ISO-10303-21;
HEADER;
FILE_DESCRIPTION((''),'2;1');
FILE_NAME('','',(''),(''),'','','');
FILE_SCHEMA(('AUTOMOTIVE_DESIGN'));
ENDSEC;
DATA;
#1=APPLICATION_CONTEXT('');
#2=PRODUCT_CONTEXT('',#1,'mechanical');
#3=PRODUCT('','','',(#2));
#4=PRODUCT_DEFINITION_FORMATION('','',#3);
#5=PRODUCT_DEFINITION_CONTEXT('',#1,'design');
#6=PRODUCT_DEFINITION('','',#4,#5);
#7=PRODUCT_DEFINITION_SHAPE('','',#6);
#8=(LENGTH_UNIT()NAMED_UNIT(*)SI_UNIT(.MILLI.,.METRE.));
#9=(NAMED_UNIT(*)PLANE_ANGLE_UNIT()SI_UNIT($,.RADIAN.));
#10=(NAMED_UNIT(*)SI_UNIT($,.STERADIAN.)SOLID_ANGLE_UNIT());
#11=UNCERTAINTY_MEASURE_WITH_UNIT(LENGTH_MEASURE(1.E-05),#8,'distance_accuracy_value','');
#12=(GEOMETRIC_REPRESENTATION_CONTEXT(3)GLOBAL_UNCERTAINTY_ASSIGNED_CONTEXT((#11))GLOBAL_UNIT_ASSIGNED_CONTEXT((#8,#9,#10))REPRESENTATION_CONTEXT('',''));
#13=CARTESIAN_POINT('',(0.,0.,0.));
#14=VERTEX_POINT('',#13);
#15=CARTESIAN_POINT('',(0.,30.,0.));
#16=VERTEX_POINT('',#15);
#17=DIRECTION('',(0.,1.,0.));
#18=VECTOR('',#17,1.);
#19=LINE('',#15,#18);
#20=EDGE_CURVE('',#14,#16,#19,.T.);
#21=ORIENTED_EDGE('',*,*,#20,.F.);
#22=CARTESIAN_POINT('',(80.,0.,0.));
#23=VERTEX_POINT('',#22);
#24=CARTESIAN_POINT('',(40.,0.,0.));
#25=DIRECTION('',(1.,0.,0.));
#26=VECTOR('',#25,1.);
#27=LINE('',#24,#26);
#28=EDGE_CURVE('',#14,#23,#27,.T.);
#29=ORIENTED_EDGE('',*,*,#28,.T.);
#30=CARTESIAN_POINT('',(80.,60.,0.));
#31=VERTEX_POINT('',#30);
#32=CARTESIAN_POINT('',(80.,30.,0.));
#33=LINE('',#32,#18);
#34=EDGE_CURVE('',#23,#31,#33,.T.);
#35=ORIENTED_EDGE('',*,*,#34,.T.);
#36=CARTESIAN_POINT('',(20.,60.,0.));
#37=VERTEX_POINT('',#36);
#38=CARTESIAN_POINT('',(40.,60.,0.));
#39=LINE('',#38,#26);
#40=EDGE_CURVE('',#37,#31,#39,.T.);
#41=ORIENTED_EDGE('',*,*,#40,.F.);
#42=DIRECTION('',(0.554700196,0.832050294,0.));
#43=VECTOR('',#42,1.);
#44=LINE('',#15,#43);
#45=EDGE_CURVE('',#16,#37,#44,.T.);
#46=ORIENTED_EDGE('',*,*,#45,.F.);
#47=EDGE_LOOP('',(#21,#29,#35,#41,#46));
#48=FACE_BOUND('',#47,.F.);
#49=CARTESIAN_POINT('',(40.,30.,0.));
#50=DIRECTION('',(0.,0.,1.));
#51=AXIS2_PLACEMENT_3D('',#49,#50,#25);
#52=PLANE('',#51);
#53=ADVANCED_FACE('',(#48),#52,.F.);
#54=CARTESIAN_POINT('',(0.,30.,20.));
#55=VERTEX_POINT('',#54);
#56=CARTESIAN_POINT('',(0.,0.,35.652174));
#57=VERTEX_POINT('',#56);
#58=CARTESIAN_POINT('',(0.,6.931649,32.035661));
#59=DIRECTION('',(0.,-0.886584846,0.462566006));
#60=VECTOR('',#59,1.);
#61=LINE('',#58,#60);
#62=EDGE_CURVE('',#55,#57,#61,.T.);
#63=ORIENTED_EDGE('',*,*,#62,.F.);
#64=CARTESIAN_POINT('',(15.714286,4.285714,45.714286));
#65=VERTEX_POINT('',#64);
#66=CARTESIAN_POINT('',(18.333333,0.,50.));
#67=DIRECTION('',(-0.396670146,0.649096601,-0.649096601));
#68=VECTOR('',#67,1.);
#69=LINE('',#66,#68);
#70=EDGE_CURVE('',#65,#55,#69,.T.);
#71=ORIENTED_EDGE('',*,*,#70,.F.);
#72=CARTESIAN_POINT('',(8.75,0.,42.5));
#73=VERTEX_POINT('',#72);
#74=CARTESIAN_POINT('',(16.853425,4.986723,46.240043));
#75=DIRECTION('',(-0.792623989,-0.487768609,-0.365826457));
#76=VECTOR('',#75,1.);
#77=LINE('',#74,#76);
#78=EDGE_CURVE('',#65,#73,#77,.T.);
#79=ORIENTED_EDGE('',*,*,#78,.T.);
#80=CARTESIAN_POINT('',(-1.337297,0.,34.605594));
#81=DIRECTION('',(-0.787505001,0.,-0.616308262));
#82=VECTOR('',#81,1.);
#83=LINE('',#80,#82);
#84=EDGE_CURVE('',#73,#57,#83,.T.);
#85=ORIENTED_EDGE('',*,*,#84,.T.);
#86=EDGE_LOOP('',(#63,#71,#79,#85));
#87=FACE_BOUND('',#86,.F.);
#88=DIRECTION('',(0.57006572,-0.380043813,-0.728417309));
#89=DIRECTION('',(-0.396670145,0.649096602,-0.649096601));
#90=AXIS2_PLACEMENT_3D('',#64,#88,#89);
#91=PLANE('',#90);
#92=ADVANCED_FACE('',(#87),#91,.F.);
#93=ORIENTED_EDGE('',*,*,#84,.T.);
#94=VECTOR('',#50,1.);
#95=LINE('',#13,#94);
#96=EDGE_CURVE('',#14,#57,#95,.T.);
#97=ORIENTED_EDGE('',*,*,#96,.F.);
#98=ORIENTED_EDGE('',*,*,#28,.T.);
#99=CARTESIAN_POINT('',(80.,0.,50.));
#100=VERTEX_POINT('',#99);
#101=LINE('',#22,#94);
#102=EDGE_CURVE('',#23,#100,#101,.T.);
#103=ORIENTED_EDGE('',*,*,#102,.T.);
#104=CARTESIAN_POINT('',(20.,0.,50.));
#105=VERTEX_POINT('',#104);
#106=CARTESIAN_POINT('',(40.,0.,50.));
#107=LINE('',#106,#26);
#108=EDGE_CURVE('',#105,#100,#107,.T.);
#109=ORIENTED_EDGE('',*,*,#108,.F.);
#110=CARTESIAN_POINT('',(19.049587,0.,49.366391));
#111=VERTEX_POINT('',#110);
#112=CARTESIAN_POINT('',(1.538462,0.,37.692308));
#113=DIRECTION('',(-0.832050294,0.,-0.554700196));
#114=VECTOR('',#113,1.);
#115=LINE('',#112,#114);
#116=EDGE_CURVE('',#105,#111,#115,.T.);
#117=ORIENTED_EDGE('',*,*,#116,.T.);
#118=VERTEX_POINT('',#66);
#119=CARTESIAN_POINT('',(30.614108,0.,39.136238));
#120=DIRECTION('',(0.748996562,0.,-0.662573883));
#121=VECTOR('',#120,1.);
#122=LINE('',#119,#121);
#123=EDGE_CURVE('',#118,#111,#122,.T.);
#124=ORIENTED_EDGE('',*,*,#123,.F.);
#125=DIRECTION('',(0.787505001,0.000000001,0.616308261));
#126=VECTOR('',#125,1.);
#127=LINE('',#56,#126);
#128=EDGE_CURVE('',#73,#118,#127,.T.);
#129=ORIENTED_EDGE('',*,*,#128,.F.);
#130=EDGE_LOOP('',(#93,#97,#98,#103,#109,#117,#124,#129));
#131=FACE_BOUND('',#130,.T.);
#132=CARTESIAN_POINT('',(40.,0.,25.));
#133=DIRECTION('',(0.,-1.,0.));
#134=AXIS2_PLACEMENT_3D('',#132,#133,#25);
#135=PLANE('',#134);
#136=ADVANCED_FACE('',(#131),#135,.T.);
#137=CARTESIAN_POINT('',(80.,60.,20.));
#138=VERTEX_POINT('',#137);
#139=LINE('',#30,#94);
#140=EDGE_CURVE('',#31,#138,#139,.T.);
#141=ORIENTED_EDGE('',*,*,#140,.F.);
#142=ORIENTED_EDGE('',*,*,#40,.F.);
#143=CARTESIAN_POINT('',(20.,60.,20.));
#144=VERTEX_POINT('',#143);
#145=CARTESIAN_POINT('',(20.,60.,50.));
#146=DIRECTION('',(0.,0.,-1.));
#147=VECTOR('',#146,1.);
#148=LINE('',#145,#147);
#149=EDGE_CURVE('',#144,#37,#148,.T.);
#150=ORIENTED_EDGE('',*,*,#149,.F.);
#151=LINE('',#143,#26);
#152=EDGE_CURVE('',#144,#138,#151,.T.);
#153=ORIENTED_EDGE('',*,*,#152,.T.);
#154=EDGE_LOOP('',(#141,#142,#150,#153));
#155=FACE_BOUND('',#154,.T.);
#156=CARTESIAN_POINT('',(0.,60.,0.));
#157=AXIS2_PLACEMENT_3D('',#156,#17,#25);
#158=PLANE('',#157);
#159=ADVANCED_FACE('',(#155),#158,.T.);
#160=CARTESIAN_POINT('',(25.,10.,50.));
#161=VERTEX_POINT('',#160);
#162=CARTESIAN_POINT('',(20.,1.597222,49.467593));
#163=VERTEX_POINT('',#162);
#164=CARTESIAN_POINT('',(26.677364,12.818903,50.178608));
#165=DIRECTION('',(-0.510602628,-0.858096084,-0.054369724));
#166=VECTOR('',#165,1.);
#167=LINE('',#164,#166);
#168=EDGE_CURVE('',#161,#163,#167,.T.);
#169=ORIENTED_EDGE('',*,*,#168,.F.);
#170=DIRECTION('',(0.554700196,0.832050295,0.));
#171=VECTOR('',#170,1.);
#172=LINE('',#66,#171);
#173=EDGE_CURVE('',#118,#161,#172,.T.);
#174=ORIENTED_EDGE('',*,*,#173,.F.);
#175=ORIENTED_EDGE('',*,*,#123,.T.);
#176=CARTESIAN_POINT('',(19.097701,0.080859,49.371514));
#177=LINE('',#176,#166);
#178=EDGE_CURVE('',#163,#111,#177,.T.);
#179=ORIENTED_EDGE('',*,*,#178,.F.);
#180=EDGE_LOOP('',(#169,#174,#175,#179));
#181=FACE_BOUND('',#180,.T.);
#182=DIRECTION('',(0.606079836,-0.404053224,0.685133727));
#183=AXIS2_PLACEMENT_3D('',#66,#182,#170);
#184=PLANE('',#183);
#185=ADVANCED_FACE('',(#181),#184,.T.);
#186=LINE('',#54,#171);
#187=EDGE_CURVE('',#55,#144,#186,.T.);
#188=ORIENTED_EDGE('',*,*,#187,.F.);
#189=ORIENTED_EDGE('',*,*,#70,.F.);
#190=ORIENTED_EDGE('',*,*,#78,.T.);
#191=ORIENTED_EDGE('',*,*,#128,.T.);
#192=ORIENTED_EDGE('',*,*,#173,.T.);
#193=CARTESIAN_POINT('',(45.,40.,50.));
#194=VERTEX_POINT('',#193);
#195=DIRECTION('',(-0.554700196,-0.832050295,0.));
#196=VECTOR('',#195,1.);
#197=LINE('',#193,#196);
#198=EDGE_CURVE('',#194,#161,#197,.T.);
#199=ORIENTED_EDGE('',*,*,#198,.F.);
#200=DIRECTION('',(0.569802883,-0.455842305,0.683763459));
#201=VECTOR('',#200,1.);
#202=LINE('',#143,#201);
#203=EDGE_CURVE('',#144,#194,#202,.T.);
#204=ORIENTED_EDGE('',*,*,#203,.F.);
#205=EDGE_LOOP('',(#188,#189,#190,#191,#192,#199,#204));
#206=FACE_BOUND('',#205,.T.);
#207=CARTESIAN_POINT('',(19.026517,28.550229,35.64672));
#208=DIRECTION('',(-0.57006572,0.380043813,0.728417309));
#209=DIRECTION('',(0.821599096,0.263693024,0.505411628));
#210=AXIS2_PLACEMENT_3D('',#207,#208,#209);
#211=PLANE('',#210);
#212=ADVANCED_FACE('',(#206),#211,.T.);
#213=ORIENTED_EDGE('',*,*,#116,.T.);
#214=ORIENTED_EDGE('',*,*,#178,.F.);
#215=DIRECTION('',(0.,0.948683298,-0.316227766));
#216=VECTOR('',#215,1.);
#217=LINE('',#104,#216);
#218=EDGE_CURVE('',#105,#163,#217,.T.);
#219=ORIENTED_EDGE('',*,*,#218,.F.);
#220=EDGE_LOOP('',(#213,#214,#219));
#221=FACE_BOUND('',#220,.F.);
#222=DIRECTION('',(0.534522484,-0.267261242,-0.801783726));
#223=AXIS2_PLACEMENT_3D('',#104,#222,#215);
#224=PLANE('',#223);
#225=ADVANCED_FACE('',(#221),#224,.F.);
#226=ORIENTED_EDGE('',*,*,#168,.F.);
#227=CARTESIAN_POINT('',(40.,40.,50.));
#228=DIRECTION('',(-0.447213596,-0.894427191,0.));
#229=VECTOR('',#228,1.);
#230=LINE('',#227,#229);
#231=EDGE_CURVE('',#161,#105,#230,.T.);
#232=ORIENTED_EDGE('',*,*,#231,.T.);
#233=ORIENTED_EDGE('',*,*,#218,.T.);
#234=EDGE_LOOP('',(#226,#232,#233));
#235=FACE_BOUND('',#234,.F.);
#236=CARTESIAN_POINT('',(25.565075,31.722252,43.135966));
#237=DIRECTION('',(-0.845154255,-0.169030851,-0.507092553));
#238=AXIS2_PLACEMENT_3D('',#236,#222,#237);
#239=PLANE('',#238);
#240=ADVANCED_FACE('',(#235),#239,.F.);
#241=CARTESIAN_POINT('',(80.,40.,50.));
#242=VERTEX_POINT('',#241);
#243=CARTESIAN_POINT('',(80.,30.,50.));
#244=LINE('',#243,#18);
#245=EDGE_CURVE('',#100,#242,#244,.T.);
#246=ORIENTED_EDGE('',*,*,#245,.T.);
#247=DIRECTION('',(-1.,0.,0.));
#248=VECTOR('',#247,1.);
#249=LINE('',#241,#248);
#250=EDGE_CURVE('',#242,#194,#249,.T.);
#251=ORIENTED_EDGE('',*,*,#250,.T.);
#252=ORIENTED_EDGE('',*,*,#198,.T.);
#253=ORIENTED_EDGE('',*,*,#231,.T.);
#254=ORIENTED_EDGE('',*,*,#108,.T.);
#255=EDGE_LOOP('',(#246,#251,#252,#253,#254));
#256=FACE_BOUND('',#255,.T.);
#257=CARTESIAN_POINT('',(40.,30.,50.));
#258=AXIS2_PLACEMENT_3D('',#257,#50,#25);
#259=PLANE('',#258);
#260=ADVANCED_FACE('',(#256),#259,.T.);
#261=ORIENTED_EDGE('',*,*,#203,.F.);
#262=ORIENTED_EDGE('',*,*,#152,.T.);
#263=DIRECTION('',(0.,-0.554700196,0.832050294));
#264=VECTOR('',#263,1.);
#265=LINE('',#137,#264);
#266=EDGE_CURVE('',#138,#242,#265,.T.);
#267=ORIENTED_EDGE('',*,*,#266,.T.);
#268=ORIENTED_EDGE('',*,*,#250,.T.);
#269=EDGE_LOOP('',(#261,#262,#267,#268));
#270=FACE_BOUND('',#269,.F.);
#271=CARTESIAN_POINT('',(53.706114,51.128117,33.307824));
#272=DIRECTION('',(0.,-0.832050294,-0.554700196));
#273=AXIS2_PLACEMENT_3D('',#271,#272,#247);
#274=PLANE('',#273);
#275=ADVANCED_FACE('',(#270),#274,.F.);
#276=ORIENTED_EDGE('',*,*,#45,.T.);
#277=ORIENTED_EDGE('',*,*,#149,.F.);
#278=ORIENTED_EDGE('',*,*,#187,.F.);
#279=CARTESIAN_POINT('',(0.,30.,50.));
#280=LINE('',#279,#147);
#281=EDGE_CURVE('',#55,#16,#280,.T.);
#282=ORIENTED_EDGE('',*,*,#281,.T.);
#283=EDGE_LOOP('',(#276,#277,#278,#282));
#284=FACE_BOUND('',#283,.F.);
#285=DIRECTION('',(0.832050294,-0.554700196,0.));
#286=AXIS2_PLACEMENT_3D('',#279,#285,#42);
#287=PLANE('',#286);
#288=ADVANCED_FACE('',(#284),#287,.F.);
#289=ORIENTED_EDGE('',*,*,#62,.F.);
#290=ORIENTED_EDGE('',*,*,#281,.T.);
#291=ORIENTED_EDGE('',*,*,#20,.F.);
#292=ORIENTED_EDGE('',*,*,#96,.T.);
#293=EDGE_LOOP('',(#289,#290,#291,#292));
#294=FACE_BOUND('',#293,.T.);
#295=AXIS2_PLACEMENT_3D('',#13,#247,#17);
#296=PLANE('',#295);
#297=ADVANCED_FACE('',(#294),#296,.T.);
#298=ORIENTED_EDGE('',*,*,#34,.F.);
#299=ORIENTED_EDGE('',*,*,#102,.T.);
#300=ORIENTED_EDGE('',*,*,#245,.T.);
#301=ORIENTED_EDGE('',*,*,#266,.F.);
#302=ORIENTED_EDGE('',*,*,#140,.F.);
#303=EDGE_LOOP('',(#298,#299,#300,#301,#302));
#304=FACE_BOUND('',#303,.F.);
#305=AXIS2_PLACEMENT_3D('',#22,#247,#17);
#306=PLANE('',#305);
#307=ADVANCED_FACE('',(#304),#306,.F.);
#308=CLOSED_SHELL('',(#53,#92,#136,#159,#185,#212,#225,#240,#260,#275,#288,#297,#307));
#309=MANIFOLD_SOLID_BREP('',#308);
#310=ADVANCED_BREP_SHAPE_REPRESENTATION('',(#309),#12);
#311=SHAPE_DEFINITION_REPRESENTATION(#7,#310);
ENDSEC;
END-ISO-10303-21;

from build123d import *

# Parameters (mm, degrees)
SKETCH1_W           = 80
SKETCH1_H           = 60
BOSS_EXTRUDE1_DEPTH = 50
CUT_EXTRUDE1_DEPTH  = 50
CUT_EXTRUDE2_DEPTH  = 124
CUT_EXTRUDE3_DEPTH  = 124
CUT_EXTRUDE4_DEPTH  = 124
CUT_EXTRUDE5_DEPTH  = 124
CUT_EXTRUDE6_DEPTH  = 124
CUT_EXTRUDE7_DEPTH  = 124
CUT_EXTRUDE8_DEPTH  = 124
CUT_EXTRUDE9_DEPTH  = 124
CUT_EXTRUDE10_DEPTH = 124
CUT_EXTRUDE11_DEPTH = 124
CUT_EXTRUDE12_DEPTH = 124
CUT_EXTRUDE14_DEPTH = 124
CUT_EXTRUDE15_DEPTH = 124
BOSS_EXTRUDE2_DEPTH = 5
SKETCH27_W          = 80
SKETCH27_H          = 50
CUT_EXTRUDE20_DEPTH = 37


with BuildPart() as part:
    # Sketch1 → Boss-Extrude1 (new body)
    with BuildSketch(Plane.XY):
        with Locations((40, 30)):
            Rectangle(SKETCH1_W, SKETCH1_H)
    extrude(amount=BOSS_EXTRUDE1_DEPTH)

    # Sketch2 → Cut-Extrude1 (cut)
    with BuildSketch(Plane.XY.offset(50)):
        Polygon((0, 30), (20, 60), (0, 60), align=None)
    extrude(amount=-CUT_EXTRUDE1_DEPTH, mode=Mode.SUBTRACT)

    # Sketch3 → Cut-Extrude2 (cut)
    with BuildSketch(Plane(origin=(80, 0, 0), x_dir=(0, 0, -1), z_dir=(1, 0, 0))):
        Polygon((-30, 60), (-50, 40), (-50, 60), align=None)
    extrude(amount=-CUT_EXTRUDE2_DEPTH, mode=Mode.SUBTRACT)

    # Sketch6 → Cut-Extrude3 (cut)
    with BuildSketch(Plane(origin=(-15.714285714, 7.857142857, 23.571428571), x_dir=(0.845154255, 0.169030851, 0.507092553), z_dir=(-0.534522484, 0.267261242, 0.801783726))):
        Polygon((42.257712736, 47.434164903), (65.922031869, 22.135943621), (42.257712736, -15.811388301), align=None)
    extrude(amount=CUT_EXTRUDE3_DEPTH, mode=Mode.SUBTRACT)

    # Sketch7 → Cut-Extrude4 (cut)
    with BuildSketch(Plane(origin=(35.714285714, 7.142857143, 21.428571429), x_dir=(0.497245158, 0.099449032, -0.861891607), z_dir=(0.845154255, 0.169030851, 0.507092553))):
        Polygon((-33.149677207, 36.869833406), (-33.149677207, -3.922322703), (-9.944903162, 54.912517839), align=None)
    extrude(amount=-CUT_EXTRUDE4_DEPTH, mode=Mode.SUBTRACT)

    # Sketch8 → Cut-Extrude5 (cut)
    with BuildSketch(Plane(origin=(-16.483516484, -3.296703297, 28.571428571), x_dir=(-0.867610081, 0.056996283, -0.493967783), z_dir=(0.497245158, 0.099449032, -0.861891607))):
        Polygon((-25.736988098, 43.821678207), (-32.829858833, 45.467562834), (-42.05059079, 5.731205399), (-18.998760899, 4.408619538), (-18.998760899, 34.607663372), align=None)
    extrude(amount=-CUT_EXTRUDE5_DEPTH, mode=Mode.SUBTRACT)

    # Sketch9 → Cut-Extrude6 (cut)
    with BuildSketch(Plane(origin=(-22.751322751, 35.264550265, 26.164021164), x_dir=(0.887896271, 0.369460193, 0.274115627), z_dir=(0.460043706, -0.713067745, -0.529050262))):
        Polygon((32.208127825, 14.089089478), (39.138944356, 16.321024445), (48.149005846, -11.657874603), align=None)
    extrude(amount=-CUT_EXTRUDE6_DEPTH, mode=Mode.SUBTRACT)

    # Sketch10 → Cut-Extrude7 (cut)
    with BuildSketch(Plane(origin=(-0.962962963, -2.407407407, 2.407407407), x_dir=(0.962250449, -0.19245009, 0.19245009), z_dir=(0.272165527, 0.680413817, -0.680413817))):
        Polygon((8.581009883, -63.639610307), (7.076241761, -60.15846923), (13.471506281, -63.639610307), align=None)
    extrude(amount=-CUT_EXTRUDE7_DEPTH, mode=Mode.SUBTRACT)

    # Sketch11 → Cut-Extrude8 (cut)
    with BuildSketch(Plane(origin=(-15.346074938, 7.943850556, 1.805420581), x_dir=(-0.092282328, 0.047769676, -0.994586361), z_dir=(0.883262889, -0.457218437, -0.103913281))):
        Polygon((-47.510608217, 39.711812283), (-44.744502297, 37.117331923), (-48.456907611, 37.426149), (-48.456907611, 38.702914935), align=None)
    extrude(amount=-CUT_EXTRUDE8_DEPTH, mode=Mode.SUBTRACT)

    # Sketch12 → Cut-Extrude9 (cut)
    with BuildSketch(Plane(origin=(-7.230769231, 36.153846154, 0), x_dir=(0.980580676, 0.196116135, 0), z_dir=(0.196116135, -0.980580676, 0))):
        Polygon((13.335897189, 50), (13.830048081, 50), (13.335897189, 46.307692308), align=None)
    extrude(amount=-CUT_EXTRUDE9_DEPTH, mode=Mode.SUBTRACT)

    # Sketch15 → Cut-Extrude10 (cut)
    with BuildSketch(Plane(origin=(0, 50.769230769, 33.846153846), x_dir=(-1, 0, 0), z_dir=(0, -0.832050294, -0.554700196))):
        Polygon((-20, 16.641005887), (-80, 16.641005887), (-80, -19.414506868), (-40, -19.414506868), align=None)
    extrude(amount=-CUT_EXTRUDE10_DEPTH, mode=Mode.SUBTRACT)

    # Sketch16 → Cut-Extrude11 (cut)
    with BuildSketch(Plane(origin=(22.352941176, 6.877828054, -10.316742081), x_dir=(-0.385755922, -0.11869413, -0.914933917), z_dir=(0.874474632, 0.269069118, -0.403603676))):
        Polygon((-44.065195676, 50.107704244), (-33.13544456, 51.465023547), (-65.924697908, 26.467726395), align=None)
    extrude(amount=-CUT_EXTRUDE11_DEPTH, mode=Mode.SUBTRACT)

    # Sketch17 → Cut-Extrude12 (cut)
    with BuildSketch(Plane(origin=(-13.474892396, 53.122171946, 6.219181106), x_dir=(0.969698736, 0.242646617, 0.028407409), z_dir=(0.24430383, -0.96312087, -0.112755614))):
        Polygon((39.280526622, 22.819756729), (34.520919906, 12.887590849), (33.567164418, 22.827971688), (35.583149731, 23.962584818), align=None)
    extrude(amount=-CUT_EXTRUDE12_DEPTH, mode=Mode.SUBTRACT)

    # Sketch22 → Cut-Extrude14 (cut)
    with BuildSketch(Plane(origin=(-14.80441324, 9.869608826, 18.916750251), x_dir=(0.821599096, 0.263693024, 0.505411628), z_dir=(-0.57006572, 0.380043813, 0.728417309))):
        Polygon((42.361795907, 43.943770636), (72.790261699, 12.335093512), (40.333231521, -23.128300335), (18.019023273, 17.346225251), align=None)
    extrude(amount=CUT_EXTRUDE14_DEPTH, mode=Mode.SUBTRACT)

    # Sketch23 → Cut-Extrude15 (cut)
    with BuildSketch(Plane(origin=(17.379185671, 15.917127194, 5.296513728), x_dir=(0.161703891, 0.148100231, -0.97566294), z_dir=(0.719498347, 0.658969121, 0.219275687))):
        Polygon((-15.07025189, 22.123368133), (-22.755667886, 20.283347912), (-41.425957995, -7.45305002), align=None)
    extrude(amount=-CUT_EXTRUDE15_DEPTH, mode=Mode.SUBTRACT)

    # Sketch26 → Boss-Extrude2 (add)
    with BuildSketch(Plane(origin=(-14.80441324, 9.869608826, 18.916750251), x_dir=(0.821599096, 0.263693024, 0.505411628), z_dir=(-0.57006572, 0.380043813, 0.728417309))):
        Polygon((18.019023273, -16.491483717), (40.333231521, -23.128300335), (72.790261699, 12.335093512), (42.361795907, 43.943770636), (18.019023273, 17.346225251), align=None)
    extrude(amount=-BOSS_EXTRUDE2_DEPTH)

    # Sketch27 → Cut-Extrude20 (cut)
    with BuildSketch(Plane.XZ):
        with Locations((40, 25)):
            Rectangle(SKETCH27_W, SKETCH27_H)
    extrude(amount=CUT_EXTRUDE20_DEPTH, mode=Mode.SUBTRACT)


solid = part.part
